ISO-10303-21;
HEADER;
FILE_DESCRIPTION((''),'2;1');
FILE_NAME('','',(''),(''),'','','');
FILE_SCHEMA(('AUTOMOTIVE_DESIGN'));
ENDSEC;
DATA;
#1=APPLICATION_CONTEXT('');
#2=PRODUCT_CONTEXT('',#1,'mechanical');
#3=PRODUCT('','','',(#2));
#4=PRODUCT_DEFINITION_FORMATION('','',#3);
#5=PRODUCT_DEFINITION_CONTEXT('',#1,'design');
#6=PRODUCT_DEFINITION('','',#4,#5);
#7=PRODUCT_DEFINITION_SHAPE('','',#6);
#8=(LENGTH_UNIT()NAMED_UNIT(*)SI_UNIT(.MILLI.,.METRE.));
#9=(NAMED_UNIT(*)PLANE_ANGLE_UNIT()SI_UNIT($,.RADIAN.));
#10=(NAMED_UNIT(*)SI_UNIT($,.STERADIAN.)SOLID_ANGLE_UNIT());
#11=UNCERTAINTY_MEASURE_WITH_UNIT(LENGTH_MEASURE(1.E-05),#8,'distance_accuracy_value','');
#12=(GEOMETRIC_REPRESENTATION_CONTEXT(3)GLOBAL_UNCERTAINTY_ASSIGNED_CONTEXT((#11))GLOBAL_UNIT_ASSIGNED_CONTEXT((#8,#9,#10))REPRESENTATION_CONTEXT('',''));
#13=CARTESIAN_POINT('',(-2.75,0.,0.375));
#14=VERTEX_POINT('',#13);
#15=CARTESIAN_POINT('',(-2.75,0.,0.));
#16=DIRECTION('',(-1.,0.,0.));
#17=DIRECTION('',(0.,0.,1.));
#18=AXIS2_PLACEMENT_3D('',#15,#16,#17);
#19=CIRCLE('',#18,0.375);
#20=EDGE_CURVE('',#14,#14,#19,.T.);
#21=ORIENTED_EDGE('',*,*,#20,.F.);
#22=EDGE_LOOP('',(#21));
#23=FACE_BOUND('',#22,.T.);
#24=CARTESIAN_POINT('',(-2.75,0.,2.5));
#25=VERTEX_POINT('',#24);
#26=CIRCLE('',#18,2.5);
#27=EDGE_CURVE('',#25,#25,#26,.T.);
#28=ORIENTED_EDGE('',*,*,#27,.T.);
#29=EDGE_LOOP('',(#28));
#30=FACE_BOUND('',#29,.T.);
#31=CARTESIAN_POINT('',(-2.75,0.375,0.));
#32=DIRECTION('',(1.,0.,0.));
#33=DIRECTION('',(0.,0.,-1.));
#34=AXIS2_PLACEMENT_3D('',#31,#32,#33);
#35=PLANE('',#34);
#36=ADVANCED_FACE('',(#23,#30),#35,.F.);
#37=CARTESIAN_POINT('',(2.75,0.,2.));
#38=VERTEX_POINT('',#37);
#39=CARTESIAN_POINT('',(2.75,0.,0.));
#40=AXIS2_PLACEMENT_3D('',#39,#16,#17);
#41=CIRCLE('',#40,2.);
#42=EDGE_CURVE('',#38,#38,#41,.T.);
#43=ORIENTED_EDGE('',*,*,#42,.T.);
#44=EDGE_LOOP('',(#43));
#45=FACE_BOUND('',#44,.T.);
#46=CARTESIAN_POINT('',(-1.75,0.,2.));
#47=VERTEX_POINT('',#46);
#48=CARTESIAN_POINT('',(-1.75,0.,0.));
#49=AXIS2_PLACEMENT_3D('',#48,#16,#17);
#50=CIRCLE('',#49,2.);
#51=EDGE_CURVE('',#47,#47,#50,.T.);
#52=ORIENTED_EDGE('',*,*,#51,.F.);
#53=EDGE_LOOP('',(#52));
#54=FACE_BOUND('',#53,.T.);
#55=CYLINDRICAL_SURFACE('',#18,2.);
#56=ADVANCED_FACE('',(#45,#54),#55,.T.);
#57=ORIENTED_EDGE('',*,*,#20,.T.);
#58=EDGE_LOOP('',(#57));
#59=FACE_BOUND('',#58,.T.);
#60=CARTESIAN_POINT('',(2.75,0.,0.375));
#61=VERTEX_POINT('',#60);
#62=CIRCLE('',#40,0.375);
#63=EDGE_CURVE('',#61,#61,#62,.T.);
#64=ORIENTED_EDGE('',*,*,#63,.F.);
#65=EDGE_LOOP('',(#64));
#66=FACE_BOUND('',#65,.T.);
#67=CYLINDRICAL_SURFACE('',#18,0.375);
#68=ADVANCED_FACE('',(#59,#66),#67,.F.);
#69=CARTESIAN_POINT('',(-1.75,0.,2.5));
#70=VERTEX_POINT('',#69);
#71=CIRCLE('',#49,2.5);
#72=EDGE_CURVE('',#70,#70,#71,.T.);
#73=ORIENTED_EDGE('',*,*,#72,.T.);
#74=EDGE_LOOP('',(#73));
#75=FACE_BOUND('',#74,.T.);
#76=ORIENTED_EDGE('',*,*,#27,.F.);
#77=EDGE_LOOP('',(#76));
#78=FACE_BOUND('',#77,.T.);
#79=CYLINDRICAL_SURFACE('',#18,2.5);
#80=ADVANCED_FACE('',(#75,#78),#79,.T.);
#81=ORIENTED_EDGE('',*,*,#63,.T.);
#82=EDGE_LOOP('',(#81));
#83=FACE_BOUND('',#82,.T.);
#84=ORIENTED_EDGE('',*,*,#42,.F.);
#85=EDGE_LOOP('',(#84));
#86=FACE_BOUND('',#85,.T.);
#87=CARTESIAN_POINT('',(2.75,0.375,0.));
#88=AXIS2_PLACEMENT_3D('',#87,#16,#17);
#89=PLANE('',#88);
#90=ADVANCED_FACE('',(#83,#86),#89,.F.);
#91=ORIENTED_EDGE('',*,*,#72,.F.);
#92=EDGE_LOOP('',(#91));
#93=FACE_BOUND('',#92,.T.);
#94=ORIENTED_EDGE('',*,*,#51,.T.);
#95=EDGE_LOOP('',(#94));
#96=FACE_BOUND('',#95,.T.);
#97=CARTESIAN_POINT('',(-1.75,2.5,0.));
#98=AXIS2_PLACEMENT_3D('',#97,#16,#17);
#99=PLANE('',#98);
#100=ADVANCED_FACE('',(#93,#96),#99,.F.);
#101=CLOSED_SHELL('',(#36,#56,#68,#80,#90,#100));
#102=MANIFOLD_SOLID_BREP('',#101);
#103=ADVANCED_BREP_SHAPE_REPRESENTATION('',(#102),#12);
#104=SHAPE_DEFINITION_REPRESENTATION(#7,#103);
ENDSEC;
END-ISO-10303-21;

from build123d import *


with BuildPart() as part:
    # Sketch1 → Revolve1 (revolve)
    with BuildSketch(Plane.XY, mode=Mode.PRIVATE) as revolve1_sk:
        Polygon((-2.75, 2.5), (-1.75, 2.5), (-1.75, 2), (2.75, 2), (2.75, 0.375), (-2.75, 0.375), align=None)
    revolve(revolve1_sk.sketch.rotate(Axis((-2.75, 0, 0), (1, 0, 0)), 90), axis=Axis((-2.75, 0, 0), (1, 0, 0)))


solid = part.part
